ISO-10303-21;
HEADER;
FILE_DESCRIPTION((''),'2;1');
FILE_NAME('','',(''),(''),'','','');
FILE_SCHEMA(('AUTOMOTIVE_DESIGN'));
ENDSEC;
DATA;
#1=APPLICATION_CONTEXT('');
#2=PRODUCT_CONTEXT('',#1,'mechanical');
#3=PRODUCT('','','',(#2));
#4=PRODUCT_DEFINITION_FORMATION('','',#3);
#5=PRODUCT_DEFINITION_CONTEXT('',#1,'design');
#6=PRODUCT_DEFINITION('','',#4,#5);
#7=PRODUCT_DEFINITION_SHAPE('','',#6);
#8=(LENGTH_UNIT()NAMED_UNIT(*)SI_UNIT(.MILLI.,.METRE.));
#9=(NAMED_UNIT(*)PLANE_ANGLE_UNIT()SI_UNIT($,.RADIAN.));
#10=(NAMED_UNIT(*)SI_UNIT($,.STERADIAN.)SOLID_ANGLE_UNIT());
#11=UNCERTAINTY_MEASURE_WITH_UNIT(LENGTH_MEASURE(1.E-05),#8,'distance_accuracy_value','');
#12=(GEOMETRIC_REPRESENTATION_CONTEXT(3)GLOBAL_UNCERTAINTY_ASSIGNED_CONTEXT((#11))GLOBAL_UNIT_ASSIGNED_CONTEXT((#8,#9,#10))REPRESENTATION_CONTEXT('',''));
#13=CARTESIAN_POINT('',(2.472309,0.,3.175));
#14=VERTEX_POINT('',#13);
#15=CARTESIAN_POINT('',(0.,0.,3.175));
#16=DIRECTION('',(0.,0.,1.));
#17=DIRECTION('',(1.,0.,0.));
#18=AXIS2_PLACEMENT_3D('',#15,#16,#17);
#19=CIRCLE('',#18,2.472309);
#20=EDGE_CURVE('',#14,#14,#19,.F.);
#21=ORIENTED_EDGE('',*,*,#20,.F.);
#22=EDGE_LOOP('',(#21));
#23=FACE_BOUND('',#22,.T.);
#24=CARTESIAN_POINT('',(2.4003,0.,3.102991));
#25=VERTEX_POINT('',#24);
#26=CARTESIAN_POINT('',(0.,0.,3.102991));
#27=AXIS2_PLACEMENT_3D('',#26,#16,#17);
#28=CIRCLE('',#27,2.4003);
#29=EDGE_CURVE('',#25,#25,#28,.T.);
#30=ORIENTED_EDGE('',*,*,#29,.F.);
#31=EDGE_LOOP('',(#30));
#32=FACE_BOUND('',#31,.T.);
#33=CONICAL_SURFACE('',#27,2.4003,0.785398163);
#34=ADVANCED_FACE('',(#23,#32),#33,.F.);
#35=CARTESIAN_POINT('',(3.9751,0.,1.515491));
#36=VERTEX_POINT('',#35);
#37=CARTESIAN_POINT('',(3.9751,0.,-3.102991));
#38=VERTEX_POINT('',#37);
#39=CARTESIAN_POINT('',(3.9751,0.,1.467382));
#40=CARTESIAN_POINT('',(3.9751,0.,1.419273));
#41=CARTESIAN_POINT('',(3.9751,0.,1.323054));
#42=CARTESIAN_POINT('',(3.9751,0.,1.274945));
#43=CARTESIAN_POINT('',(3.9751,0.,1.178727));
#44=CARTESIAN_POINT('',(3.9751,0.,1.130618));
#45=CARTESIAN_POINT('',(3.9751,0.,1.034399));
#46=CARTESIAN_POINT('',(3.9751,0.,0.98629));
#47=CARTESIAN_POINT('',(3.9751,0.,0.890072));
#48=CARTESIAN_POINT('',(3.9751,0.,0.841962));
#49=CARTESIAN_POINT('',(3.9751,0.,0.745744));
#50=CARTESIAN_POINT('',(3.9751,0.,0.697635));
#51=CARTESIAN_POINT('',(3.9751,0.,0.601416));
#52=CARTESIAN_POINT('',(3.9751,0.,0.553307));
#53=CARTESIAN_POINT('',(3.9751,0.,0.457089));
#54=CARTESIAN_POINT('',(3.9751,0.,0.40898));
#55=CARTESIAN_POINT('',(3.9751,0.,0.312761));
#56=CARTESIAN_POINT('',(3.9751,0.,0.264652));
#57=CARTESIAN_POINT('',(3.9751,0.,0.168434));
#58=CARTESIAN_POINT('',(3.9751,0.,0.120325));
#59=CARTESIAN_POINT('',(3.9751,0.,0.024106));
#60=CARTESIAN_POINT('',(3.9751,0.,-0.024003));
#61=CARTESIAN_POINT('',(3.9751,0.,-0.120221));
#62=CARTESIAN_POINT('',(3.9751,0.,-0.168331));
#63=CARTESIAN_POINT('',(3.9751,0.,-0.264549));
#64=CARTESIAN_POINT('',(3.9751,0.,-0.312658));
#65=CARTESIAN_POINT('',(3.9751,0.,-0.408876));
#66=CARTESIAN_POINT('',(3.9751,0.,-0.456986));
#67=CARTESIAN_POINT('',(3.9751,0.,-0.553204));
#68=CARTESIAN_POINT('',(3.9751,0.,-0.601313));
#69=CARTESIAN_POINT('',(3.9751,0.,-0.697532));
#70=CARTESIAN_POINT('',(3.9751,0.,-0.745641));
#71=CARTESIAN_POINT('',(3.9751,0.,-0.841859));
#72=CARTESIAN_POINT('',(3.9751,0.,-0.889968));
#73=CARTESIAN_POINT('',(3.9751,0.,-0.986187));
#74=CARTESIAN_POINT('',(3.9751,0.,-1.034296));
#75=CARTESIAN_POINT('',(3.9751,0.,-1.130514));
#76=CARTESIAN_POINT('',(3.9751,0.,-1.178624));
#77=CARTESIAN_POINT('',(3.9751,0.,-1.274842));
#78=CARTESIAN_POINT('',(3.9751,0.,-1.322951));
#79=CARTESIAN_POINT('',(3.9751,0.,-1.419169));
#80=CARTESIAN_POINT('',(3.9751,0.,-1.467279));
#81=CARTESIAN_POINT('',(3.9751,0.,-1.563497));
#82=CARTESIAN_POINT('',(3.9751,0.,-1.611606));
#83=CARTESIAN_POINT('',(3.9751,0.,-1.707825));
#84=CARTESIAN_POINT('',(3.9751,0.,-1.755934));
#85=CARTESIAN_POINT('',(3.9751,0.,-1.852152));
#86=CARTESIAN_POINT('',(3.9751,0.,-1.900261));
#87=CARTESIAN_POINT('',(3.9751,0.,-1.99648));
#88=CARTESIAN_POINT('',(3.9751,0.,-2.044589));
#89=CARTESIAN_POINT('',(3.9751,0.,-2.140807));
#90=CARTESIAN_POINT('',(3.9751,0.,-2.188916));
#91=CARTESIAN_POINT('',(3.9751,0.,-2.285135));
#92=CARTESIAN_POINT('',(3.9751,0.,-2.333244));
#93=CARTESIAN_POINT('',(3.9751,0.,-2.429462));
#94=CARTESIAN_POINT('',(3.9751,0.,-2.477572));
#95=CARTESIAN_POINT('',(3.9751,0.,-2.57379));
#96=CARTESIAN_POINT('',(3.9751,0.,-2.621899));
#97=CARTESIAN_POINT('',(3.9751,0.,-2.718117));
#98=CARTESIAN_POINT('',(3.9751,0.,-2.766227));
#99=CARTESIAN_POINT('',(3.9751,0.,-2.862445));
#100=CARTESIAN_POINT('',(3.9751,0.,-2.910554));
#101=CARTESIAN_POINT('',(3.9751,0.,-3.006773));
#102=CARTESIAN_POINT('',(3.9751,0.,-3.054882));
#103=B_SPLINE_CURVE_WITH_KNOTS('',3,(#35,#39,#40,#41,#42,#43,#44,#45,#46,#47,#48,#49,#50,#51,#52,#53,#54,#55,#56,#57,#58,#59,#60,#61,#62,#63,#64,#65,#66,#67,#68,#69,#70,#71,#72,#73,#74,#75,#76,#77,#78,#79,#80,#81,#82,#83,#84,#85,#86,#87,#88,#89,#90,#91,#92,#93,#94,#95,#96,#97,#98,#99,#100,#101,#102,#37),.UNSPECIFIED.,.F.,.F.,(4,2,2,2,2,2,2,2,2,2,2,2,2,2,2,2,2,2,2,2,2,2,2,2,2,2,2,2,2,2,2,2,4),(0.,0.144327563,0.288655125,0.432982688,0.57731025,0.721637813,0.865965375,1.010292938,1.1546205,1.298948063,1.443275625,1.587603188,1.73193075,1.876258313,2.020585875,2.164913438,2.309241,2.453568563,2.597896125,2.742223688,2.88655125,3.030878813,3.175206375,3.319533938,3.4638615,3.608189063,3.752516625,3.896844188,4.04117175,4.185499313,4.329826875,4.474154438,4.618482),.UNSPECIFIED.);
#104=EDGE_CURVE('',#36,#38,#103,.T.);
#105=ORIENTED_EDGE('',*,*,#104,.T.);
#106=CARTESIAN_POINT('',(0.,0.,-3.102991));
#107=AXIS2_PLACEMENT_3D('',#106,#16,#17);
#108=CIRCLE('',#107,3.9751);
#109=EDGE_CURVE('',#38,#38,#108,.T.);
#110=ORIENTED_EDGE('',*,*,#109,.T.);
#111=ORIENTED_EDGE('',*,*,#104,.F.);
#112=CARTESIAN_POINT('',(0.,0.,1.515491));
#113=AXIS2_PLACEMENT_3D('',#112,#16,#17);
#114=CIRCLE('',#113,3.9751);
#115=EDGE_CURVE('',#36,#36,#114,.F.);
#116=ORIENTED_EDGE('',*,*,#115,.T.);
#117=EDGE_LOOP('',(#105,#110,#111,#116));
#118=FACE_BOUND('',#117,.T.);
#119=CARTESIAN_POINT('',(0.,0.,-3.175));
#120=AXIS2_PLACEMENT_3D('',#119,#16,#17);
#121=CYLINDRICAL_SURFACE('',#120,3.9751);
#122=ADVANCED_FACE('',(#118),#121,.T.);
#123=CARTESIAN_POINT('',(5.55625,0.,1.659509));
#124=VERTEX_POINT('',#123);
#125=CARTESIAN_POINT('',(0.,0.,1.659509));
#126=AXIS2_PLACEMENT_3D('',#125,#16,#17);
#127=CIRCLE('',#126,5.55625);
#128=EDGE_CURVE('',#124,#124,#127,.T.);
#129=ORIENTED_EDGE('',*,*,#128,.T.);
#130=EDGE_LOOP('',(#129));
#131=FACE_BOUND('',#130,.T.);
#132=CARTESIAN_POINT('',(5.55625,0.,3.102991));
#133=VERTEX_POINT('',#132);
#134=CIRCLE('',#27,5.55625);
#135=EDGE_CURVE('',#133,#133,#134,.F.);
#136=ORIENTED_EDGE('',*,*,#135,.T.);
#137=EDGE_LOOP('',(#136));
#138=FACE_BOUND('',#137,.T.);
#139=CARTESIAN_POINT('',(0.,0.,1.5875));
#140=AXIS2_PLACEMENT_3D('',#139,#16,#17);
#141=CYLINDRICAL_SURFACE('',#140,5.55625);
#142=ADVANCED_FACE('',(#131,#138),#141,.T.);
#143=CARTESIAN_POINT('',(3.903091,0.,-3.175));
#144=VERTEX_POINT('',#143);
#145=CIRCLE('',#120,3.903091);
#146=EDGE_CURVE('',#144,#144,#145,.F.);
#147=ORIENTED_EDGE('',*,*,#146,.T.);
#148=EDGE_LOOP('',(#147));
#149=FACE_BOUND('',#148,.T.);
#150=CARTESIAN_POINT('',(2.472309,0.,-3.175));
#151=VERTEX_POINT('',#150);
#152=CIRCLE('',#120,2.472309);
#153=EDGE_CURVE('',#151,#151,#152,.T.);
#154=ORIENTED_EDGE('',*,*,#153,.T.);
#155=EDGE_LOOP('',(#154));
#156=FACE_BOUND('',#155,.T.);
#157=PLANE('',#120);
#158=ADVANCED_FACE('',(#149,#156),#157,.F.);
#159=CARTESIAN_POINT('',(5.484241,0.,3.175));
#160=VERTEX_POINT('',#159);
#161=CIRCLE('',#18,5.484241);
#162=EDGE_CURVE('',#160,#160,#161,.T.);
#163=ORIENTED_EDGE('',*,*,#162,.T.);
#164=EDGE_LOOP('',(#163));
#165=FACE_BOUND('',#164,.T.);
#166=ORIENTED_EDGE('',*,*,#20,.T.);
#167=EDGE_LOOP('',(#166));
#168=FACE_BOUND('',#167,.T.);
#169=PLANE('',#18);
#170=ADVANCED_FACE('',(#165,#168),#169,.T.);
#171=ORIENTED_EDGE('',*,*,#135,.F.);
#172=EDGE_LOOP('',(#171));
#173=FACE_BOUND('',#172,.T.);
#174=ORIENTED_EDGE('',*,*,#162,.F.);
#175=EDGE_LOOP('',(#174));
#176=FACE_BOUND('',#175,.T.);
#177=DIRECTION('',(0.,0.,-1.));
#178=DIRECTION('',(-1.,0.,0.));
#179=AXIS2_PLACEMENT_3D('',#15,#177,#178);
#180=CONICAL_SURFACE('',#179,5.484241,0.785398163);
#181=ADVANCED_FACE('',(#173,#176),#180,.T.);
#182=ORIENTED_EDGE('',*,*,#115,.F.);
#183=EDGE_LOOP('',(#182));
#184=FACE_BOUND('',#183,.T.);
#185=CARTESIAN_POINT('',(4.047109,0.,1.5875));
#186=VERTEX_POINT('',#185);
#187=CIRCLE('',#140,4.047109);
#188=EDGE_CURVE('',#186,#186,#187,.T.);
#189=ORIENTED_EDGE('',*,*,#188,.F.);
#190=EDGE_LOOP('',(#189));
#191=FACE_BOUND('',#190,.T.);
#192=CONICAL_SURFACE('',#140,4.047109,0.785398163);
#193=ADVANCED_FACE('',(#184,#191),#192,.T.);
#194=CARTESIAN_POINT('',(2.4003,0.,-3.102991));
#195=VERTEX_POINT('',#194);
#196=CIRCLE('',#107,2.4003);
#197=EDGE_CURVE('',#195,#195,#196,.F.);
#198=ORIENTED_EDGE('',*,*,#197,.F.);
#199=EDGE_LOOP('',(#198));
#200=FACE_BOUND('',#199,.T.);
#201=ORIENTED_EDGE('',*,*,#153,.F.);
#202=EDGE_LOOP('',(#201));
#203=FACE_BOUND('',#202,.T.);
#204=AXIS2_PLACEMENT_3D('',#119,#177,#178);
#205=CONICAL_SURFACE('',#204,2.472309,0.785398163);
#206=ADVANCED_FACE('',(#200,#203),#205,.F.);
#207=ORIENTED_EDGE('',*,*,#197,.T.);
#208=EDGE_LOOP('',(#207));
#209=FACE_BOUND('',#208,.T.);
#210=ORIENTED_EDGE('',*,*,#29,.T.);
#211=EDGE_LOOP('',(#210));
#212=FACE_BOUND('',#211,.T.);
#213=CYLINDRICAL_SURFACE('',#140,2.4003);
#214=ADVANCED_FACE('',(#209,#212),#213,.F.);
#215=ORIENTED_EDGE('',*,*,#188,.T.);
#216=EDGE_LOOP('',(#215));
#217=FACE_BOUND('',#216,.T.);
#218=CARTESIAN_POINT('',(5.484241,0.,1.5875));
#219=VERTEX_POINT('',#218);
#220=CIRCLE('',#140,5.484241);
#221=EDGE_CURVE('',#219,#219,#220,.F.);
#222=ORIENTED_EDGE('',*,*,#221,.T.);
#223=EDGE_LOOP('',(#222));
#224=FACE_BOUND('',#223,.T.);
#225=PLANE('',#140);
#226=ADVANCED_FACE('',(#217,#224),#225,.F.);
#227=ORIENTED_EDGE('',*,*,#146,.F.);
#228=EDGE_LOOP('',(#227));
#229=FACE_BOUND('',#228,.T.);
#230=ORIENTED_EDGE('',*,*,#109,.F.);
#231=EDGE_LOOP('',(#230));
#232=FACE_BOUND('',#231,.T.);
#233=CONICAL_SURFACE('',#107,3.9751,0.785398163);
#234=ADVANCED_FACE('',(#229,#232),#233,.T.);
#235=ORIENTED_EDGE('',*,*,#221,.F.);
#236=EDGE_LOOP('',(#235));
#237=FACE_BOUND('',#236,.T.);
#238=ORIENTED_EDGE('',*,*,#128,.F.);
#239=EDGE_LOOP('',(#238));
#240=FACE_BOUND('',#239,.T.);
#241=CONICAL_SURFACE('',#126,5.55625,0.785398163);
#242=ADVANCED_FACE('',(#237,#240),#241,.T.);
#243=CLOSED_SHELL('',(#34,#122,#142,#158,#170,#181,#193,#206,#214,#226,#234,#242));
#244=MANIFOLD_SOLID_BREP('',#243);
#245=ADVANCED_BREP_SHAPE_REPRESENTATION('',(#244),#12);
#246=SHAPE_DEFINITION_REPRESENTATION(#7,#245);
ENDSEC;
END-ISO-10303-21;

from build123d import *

# Parameters (mm, degrees)
BOSS_EXTRUDE1_START = 3.175
SKETCH3_R           = 5.55625
SKETCH3_R_2         = 2.4003
BOSS_EXTRUDE1_DEPTH = 1.5875
BOSS_EXTRUDE2_START = 1.5875
SKETCH4_R           = 3.9751
SKETCH4_R_2         = 2.4003
BOSS_EXTRUDE2_DEPTH = 4.7625
CHAMFER1_SIZE       = 0.072009


with BuildPart() as part:
    # Sketch3 → Boss-Extrude1 (new body)
    with BuildSketch(Plane.XY.offset(BOSS_EXTRUDE1_START)):
        Circle(SKETCH3_R)
        Circle(SKETCH3_R_2, mode=Mode.SUBTRACT)
    extrude(amount=-BOSS_EXTRUDE1_DEPTH)

    # Sketch4 → Boss-Extrude2 (add)
    with BuildSketch(Plane.XY.offset(BOSS_EXTRUDE2_START)):
        Circle(SKETCH4_R)
        Circle(SKETCH4_R_2, mode=Mode.SUBTRACT)
    extrude(amount=-BOSS_EXTRUDE2_DEPTH)

    # Chamfer1
    chamfer1_edges = [part.edges().sort_by_distance(p)[0] for p in [
        (-2.4003, 0, -3.175),
        (-3.9751, 0, 1.5875),
        (-5.55625, 0, 3.175),
        (-5.55625, 0, 1.5875),
        (-2.4003, 0, 3.175),
        (-3.9751, 0, -3.175),
    ]]
    chamfer(chamfer1_edges, length=CHAMFER1_SIZE)


solid = part.part
